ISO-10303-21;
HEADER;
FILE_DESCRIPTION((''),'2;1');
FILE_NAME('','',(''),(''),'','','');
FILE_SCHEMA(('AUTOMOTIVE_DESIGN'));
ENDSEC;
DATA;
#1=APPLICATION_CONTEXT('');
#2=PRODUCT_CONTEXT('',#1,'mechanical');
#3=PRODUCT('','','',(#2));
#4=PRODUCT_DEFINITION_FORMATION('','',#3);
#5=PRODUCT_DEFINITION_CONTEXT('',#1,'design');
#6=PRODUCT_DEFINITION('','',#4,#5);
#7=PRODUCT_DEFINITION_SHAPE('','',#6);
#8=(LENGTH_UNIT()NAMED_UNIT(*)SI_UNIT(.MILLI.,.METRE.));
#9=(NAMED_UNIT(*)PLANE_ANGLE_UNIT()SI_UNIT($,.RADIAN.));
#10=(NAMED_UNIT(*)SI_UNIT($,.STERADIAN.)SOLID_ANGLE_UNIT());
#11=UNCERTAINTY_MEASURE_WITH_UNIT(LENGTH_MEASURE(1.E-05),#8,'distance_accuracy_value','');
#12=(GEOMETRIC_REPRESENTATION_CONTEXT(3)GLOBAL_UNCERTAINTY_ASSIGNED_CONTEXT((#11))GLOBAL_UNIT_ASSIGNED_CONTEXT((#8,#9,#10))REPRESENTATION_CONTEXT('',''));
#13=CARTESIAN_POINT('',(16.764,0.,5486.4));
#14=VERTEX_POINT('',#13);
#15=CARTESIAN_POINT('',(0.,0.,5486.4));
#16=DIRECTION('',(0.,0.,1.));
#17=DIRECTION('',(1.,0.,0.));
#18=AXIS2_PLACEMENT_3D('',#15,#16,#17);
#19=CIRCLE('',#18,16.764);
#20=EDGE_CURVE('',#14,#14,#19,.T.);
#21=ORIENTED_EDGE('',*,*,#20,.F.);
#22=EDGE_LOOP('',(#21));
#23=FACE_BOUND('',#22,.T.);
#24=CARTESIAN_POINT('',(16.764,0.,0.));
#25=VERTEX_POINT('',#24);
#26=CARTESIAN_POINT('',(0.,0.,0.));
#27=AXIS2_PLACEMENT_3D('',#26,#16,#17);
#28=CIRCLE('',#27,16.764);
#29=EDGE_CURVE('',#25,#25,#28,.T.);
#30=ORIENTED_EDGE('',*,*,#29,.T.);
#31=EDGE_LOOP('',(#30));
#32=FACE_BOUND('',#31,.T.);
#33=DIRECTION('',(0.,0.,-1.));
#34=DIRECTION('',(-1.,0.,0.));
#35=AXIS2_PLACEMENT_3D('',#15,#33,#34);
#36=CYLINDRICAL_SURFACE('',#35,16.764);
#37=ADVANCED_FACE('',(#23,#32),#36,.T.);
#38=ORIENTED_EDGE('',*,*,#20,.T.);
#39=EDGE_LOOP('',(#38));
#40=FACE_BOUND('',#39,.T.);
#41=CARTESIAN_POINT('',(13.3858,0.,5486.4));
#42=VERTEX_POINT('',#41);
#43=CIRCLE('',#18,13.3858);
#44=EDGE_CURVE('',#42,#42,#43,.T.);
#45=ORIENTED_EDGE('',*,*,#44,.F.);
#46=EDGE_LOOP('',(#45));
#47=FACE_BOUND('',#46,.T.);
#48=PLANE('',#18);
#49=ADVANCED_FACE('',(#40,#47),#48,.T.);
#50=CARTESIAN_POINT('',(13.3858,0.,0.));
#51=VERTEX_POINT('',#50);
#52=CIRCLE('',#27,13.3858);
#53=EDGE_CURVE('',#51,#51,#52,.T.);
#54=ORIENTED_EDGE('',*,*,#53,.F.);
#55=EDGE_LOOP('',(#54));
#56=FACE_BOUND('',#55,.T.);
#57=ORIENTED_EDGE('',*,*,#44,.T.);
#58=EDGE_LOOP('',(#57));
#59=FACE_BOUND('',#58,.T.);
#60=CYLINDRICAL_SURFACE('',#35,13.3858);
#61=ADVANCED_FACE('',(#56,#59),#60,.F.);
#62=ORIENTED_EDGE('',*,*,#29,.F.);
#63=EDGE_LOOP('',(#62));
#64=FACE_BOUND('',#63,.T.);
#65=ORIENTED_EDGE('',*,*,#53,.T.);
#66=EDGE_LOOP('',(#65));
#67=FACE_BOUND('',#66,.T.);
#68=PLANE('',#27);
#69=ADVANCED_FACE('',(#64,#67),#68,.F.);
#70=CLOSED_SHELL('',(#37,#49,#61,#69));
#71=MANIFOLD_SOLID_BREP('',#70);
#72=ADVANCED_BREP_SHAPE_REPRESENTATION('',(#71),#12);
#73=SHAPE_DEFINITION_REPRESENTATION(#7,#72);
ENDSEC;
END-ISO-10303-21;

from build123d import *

# Parameters (mm, degrees)
PIPESKETCH_R    = 16.764
PIPESKETCH_R_2  = 13.3858
EXTRUSION_DEPTH = 5486.4


with BuildPart() as part:
    # PipeSketch → Extrusion (new body)
    with BuildSketch(Plane.XY):
        Circle(PIPESKETCH_R)
        Circle(PIPESKETCH_R_2, mode=Mode.SUBTRACT)
    extrude(amount=EXTRUSION_DEPTH)


solid = part.part
